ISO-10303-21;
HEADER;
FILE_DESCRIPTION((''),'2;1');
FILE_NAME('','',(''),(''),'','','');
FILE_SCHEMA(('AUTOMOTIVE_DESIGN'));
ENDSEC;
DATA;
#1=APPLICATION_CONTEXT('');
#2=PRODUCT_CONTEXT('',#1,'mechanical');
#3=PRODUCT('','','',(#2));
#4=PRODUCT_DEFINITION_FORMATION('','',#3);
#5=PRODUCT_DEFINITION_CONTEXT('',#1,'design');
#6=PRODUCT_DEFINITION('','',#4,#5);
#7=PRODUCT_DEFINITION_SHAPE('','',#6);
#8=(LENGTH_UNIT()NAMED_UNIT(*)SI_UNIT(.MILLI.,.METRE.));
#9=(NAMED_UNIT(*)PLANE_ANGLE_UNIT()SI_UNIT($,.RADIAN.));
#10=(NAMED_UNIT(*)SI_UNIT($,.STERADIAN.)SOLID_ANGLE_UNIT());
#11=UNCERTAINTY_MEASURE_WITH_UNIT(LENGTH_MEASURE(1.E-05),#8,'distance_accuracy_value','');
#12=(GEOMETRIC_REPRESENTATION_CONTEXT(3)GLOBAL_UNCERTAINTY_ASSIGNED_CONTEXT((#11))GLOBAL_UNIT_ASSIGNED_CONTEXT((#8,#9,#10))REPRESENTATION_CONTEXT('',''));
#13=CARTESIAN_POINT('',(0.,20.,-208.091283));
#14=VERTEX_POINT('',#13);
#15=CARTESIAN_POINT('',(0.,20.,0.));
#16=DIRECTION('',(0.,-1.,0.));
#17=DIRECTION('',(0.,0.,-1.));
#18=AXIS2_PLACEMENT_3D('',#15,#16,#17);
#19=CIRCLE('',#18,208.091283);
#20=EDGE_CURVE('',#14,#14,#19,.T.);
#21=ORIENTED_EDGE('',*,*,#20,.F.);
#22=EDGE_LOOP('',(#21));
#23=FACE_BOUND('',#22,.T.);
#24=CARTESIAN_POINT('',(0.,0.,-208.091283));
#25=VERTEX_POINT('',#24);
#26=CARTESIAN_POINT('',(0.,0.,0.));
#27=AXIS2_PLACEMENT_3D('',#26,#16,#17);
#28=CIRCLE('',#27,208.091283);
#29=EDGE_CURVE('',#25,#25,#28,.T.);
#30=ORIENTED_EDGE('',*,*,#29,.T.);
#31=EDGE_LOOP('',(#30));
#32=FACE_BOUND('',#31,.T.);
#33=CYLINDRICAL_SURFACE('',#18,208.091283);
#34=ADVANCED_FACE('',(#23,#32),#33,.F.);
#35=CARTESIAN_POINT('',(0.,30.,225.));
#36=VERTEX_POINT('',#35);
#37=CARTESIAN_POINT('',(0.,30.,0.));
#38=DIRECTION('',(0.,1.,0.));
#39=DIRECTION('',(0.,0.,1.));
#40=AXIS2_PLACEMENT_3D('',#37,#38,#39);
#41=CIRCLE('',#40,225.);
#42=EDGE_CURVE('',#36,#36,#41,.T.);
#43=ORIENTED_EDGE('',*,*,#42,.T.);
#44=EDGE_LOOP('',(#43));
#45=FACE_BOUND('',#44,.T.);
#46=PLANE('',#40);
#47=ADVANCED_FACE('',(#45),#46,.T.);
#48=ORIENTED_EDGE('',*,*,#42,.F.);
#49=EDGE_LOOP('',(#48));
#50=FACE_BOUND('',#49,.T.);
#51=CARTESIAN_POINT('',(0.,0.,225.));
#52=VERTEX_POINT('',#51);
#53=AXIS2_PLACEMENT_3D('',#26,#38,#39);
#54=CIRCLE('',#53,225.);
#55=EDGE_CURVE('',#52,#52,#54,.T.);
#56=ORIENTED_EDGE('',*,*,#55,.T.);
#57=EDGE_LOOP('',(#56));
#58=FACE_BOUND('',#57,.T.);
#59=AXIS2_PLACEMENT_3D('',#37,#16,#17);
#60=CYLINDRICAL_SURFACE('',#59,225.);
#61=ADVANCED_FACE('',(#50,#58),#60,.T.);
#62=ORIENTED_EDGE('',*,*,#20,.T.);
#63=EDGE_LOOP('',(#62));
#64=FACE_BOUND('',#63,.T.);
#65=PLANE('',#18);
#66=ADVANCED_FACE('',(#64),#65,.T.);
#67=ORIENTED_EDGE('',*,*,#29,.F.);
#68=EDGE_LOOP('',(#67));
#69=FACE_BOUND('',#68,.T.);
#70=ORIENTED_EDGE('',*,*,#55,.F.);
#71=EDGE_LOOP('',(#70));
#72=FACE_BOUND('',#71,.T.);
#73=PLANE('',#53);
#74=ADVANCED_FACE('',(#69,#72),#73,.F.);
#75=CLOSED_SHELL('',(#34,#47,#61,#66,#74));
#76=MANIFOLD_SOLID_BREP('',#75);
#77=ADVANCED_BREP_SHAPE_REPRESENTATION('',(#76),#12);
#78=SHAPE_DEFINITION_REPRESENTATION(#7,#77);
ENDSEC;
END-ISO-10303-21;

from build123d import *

# Parameters (mm, degrees)
CROQUIS3_R              = 225
SALIENTE_EXTRUIR2_DEPTH = 30
CROQUIS5_R              = 208.091282864
CORTAR_EXTRUIR1_DEPTH   = 20


with BuildPart() as part:
    # Croquis3 → Saliente-Extruir2 (new body)
    with BuildSketch(Plane(origin=(0, 0, 0), x_dir=(1, 0, 0), z_dir=(0, 1, 0))):
        with Locations(Location((0, 0, 0), (0, 0, 270))):
            Circle(CROQUIS3_R)
    extrude(amount=SALIENTE_EXTRUIR2_DEPTH)

    # Croquis5 → Cortar-Extruir1 (cut)
    with BuildSketch(Plane.XZ):
        with Locations(Location((0, 0, 0), (0, 0, 270))):
            Circle(CROQUIS5_R)
    extrude(amount=-CORTAR_EXTRUIR1_DEPTH, mode=Mode.SUBTRACT)


solid = part.part
